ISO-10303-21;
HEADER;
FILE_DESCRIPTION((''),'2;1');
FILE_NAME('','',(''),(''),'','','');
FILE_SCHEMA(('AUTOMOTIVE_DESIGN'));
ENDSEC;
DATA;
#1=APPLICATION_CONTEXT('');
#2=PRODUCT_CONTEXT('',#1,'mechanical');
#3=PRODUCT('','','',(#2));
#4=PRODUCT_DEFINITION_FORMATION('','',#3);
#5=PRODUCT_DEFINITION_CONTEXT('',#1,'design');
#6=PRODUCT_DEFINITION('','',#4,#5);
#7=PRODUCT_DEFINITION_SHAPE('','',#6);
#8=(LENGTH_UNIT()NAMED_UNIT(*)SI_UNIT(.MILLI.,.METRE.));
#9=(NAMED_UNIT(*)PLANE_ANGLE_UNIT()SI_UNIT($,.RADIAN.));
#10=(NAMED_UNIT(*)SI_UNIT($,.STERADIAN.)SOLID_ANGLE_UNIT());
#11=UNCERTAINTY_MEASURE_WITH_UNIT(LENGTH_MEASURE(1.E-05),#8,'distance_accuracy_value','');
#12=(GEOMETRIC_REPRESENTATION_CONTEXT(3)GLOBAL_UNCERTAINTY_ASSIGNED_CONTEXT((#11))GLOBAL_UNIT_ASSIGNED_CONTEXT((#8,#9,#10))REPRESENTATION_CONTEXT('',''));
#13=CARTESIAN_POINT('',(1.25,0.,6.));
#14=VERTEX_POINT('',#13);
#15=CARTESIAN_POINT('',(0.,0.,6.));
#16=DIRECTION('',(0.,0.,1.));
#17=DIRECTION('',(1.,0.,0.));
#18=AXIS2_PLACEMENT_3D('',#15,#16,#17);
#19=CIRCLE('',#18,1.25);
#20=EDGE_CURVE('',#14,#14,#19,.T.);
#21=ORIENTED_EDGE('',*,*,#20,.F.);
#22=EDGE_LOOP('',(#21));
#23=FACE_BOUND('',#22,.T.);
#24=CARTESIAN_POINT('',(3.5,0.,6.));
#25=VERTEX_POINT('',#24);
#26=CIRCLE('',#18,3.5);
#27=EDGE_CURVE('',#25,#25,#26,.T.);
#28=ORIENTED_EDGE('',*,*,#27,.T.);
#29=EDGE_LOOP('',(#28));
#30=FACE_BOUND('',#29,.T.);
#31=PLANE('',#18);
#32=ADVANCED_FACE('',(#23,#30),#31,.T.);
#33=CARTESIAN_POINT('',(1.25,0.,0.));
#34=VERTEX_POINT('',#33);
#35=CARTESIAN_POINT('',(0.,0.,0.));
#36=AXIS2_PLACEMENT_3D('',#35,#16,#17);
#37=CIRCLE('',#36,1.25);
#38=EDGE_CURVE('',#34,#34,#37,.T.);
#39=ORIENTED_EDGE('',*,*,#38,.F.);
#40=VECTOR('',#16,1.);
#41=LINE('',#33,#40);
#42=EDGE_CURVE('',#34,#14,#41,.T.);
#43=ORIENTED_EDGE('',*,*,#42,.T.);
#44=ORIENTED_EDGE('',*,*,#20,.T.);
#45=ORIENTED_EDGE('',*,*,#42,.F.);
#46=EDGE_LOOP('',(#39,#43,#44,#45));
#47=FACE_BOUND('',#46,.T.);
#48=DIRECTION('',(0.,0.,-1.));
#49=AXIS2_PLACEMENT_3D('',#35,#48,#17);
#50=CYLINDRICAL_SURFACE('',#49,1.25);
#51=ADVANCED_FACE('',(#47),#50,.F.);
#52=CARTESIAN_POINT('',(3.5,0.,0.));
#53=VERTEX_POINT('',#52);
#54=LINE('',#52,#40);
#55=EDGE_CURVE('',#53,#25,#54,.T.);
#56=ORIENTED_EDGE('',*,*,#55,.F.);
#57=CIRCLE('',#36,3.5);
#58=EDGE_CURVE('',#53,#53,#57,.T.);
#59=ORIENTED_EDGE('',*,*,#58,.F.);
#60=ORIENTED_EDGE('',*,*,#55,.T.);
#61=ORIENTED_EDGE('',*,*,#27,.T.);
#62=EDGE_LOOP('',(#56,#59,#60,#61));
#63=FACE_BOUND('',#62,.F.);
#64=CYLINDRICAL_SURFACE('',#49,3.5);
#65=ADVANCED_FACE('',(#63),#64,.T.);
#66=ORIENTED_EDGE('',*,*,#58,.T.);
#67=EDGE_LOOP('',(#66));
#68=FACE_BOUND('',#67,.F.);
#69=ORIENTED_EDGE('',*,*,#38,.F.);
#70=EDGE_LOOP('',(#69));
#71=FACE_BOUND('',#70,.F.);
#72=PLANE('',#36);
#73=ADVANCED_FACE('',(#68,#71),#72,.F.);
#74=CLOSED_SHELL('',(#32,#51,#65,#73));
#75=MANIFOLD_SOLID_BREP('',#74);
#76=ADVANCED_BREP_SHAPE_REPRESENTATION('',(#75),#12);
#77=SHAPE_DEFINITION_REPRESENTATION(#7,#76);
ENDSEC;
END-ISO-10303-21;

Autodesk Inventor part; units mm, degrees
ref_plane "YZ Plane" through (0, 0, 0) normal (1, 0, 0) x (0, 1, 0)
ref_plane "XZ Plane" through (0, 0, 0) normal (0, 1, 0) x (-1, 0, 0)
ref_plane "XY Plane" through (0, 0, 0) normal (0, 0, 1) x (1, 0, 0)
sketch "Эскиз1" plane through (0, 0, 0) normal (0, 0, 1) x (1, 0, 0)
  circle A0 centre (0, 0) radius 1.25
  circle A1 centre (0, 0) radius 3.5
  dimension "d0" = 2.5
  dimension "d1" = 7
extrude "Выдавливание1" add sketch "Эскиз1" along normal blind 6
properties part number "Стойка_1"
